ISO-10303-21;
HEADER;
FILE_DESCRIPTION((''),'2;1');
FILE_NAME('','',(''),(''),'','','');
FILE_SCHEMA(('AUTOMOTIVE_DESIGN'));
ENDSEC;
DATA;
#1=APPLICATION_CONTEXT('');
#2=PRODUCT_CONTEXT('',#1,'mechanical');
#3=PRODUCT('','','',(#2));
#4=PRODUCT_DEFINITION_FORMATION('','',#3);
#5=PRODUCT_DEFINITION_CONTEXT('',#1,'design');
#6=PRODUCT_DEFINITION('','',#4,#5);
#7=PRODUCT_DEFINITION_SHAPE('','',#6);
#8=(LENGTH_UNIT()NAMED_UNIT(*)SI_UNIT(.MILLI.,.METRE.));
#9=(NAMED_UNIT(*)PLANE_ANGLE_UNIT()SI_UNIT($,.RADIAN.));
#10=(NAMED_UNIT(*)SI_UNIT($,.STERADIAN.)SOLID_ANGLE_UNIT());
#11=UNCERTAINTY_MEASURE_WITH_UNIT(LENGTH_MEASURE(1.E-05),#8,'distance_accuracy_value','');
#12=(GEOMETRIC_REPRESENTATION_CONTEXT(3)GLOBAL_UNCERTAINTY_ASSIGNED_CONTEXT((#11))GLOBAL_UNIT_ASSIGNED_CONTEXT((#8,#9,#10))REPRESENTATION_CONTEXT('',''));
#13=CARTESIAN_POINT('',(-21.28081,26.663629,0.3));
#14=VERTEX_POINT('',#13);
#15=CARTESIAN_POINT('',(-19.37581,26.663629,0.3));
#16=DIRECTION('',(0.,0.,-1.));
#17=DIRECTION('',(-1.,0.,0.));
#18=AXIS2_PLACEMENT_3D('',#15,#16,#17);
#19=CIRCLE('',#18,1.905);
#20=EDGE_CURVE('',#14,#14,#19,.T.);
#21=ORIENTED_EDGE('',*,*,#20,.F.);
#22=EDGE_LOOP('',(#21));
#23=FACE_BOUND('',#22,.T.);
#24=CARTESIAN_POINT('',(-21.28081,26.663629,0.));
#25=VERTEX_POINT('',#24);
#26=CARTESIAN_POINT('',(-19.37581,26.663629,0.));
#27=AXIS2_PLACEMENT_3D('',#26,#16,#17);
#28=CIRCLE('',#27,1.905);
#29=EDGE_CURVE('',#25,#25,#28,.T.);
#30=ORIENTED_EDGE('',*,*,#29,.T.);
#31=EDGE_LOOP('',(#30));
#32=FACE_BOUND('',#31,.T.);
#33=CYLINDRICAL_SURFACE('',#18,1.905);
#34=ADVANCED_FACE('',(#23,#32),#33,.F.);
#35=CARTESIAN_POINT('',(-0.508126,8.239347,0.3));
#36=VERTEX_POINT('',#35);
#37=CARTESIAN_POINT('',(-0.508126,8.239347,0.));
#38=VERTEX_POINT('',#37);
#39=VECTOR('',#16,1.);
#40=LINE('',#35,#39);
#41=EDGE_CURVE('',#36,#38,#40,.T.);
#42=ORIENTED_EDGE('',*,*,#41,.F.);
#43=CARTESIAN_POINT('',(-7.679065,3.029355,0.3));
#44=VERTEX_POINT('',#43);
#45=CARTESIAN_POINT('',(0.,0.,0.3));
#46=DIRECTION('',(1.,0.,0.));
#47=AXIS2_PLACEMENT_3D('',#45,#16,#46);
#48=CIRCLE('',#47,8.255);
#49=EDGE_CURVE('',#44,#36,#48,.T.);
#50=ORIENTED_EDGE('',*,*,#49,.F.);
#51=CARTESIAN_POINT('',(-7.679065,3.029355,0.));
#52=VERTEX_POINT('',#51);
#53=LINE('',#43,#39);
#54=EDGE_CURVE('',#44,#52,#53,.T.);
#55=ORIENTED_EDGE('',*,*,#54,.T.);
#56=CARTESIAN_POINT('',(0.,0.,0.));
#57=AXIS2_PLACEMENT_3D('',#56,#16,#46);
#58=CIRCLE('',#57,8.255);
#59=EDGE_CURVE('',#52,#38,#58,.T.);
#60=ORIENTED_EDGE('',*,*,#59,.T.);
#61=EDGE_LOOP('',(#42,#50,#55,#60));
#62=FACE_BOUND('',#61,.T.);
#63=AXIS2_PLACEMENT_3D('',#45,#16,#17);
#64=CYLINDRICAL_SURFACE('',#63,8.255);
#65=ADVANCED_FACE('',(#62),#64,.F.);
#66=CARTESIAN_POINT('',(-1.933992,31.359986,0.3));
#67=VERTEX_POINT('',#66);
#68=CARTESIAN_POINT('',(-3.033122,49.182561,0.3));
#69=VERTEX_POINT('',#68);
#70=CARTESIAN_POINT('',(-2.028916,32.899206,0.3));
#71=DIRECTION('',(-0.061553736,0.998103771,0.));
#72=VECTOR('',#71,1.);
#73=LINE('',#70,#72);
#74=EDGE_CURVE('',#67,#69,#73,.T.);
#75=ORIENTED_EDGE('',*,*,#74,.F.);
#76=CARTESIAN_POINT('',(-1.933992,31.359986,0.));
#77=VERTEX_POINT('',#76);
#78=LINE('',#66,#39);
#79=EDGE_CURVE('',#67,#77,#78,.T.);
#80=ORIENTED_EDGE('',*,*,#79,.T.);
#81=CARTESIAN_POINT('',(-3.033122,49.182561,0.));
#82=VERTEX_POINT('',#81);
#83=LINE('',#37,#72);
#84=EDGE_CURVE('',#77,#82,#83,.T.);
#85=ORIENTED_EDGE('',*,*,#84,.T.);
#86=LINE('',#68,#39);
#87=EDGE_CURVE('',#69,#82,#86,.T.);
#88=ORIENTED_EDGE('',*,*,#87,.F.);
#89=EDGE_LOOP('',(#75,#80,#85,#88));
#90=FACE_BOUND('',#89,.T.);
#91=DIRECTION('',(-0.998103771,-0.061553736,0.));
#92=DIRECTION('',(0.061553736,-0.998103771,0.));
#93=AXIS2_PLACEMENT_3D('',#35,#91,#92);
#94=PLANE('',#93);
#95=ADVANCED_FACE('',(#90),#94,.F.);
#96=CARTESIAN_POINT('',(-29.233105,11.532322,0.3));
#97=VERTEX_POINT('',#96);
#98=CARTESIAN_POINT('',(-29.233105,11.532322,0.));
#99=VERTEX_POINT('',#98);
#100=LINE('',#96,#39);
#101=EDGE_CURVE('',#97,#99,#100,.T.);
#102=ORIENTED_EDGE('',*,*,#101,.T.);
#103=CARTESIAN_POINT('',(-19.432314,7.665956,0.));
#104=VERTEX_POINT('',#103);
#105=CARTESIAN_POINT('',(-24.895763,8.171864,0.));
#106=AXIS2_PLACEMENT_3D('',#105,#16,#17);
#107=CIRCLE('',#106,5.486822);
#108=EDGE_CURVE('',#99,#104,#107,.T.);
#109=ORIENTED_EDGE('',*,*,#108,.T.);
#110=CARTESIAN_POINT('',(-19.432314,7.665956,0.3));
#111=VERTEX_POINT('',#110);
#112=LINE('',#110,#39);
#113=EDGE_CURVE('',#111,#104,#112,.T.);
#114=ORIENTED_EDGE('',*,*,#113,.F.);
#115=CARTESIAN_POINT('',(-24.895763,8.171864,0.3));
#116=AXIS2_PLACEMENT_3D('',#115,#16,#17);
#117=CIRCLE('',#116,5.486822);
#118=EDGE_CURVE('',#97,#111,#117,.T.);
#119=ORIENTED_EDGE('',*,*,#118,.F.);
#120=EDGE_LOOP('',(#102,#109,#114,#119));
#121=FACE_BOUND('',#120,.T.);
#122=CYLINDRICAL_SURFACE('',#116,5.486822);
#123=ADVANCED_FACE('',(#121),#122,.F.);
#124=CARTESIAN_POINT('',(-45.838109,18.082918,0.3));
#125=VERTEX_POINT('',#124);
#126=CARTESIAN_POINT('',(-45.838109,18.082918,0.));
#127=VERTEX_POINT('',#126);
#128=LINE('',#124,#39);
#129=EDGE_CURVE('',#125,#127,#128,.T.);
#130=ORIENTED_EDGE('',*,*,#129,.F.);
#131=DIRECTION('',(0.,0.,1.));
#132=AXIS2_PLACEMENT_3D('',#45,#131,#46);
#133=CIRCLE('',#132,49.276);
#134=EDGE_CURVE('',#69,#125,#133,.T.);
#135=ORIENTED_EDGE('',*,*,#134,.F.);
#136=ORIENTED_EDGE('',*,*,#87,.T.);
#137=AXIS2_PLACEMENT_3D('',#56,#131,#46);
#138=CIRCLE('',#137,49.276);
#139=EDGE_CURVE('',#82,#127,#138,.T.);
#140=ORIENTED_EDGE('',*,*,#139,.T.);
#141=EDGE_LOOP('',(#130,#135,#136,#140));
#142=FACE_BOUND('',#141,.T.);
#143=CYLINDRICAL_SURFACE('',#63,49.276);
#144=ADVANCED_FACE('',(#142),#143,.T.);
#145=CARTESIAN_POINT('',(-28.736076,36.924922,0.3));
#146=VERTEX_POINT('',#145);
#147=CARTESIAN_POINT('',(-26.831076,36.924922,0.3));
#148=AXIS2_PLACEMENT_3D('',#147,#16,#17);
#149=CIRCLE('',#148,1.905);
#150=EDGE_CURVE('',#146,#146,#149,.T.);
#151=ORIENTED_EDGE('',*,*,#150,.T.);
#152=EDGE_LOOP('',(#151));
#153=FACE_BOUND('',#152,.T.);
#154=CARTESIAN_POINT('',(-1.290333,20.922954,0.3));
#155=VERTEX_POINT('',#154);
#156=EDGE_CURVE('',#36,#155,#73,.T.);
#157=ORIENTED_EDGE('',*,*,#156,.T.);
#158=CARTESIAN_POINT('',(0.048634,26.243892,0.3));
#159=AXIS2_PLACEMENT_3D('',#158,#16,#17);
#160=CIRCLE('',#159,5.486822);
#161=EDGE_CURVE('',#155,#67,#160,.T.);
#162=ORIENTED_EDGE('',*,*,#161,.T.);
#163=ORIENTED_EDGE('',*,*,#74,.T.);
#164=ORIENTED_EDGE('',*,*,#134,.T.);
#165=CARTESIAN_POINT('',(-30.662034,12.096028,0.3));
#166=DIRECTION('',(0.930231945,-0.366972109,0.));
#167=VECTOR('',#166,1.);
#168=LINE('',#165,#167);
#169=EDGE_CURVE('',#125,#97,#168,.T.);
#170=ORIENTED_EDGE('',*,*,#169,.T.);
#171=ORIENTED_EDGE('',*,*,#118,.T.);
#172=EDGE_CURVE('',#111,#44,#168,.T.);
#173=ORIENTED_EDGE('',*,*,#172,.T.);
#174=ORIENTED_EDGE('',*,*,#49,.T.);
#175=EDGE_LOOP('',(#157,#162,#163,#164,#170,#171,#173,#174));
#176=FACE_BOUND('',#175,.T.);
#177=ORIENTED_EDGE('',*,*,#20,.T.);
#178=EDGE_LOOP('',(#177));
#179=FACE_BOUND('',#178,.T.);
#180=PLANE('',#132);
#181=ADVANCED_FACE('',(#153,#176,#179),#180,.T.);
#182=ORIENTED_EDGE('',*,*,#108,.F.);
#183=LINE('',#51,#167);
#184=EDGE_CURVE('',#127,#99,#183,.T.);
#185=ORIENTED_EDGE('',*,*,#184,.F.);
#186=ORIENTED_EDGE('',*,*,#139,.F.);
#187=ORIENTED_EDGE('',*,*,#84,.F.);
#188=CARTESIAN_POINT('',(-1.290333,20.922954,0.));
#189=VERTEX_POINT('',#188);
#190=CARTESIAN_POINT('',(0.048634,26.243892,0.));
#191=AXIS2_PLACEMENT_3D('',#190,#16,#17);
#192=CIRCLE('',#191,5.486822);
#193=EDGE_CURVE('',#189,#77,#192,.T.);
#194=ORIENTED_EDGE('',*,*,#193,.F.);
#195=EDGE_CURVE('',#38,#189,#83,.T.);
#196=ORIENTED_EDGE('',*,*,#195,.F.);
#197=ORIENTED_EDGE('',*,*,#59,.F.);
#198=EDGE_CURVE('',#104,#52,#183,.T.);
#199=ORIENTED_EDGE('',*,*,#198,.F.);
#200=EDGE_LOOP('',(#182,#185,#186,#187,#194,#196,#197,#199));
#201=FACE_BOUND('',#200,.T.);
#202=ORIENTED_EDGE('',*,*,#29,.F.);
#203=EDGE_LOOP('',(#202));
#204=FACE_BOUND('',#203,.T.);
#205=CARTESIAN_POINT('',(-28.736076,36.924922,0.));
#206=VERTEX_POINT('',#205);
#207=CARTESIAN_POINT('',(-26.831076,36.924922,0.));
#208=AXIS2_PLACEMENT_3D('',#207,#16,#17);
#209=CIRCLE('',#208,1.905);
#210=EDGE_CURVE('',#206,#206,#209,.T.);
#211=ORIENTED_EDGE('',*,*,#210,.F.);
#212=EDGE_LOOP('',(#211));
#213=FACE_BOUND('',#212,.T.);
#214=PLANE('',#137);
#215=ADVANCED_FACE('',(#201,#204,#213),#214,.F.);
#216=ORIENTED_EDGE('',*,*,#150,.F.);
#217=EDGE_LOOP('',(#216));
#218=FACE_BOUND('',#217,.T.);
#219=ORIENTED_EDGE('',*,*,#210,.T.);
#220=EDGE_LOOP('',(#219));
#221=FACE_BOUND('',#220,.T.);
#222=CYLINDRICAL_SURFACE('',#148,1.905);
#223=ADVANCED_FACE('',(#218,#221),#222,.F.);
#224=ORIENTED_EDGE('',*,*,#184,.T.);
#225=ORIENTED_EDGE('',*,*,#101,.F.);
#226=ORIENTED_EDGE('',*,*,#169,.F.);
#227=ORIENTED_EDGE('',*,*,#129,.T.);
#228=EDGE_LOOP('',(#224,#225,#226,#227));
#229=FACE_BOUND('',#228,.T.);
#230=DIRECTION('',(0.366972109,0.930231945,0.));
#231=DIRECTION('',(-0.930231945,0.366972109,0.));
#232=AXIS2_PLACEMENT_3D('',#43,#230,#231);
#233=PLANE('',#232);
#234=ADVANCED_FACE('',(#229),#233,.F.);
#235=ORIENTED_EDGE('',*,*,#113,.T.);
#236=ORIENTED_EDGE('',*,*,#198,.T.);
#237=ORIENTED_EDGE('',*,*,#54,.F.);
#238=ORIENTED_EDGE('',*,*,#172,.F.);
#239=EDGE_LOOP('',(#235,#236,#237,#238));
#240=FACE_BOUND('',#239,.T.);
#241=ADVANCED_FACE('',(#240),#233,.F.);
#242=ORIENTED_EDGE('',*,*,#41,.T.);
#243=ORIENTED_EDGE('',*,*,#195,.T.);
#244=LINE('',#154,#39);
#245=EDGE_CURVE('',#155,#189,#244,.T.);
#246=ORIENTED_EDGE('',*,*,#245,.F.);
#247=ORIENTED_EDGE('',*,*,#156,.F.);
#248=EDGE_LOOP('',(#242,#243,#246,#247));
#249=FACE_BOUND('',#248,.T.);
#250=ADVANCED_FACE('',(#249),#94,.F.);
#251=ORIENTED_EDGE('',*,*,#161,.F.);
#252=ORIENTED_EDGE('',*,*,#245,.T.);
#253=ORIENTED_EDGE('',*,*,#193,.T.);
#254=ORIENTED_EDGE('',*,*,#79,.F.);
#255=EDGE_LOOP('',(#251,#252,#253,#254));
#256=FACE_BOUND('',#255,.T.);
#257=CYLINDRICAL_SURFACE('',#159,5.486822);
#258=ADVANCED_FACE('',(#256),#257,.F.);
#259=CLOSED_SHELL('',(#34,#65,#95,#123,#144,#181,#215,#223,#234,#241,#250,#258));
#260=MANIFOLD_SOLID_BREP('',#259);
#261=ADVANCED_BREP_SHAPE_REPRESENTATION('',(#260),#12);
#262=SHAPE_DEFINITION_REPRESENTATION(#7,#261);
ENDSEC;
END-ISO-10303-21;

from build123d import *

# Parameters (mm, degrees)
BOSS_EXTRUDE1_DEPTH = 0.3
SKETCH7_R           = 1.905
CUT_EXTRUDE3_DEPTH  = 68.232035618
CUT_EXTRUDE4_DEPTH  = 68.232035618


with BuildPart() as part:
    # Sketch5 → Boss-Extrude1 (new body)
    with BuildSketch(Plane.XY):
        with BuildLine():
            Line((-2.028916314, 32.899205852), (-3.033121883, 49.182561418))
            ThreePointArc((-3.033121883, 49.182561418), (-28.963706092, 39.865121415), (-45.838109317, 18.082917637))
            Line((-45.838109317, 18.082917637), (-30.662034486, 12.096027791))
            Line((-30.662034486, 12.096027791), (-18.848088785, 7.435482008))
            Line((-18.848088785, 7.435482008), (-7.679064705, 3.029354759))
            ThreePointArc((-7.679064705, 3.029354759), (-4.852167258, 6.678435289), (-0.508126089, 8.239346629))
            Line((-0.508126089, 8.239346629), (-1.24718387, 20.223287961))
            Line((-1.24718387, 20.223287961), (-2.028916314, 32.899205852))
        make_face()
    extrude(amount=BOSS_EXTRUDE1_DEPTH)

    # Sketch7 → Cut-Extrude3 (cut, through all)
    with BuildSketch(Plane(origin=(0, 0, 0), x_dir=(-1, 0, 0), z_dir=(0, 0, -1))):
        with Locations((26.831076285, 36.924921792)):
            Circle(SKETCH7_R)
        with Locations((19.375810402, 26.663628618)):
            Circle(SKETCH7_R)
    extrude(amount=-CUT_EXTRUDE3_DEPTH, mode=Mode.SUBTRACT)

    # Sketch8 → Cut-Extrude4 (cut, through all)
    with BuildSketch(Plane(origin=(0, 0, 0), x_dir=(-1, 0, 0), z_dir=(0, 0, -1))):
        with BuildLine():
            Line((1.290332778, 20.922954474), (1.933991563, 31.359985686))
            ThreePointArc((1.933991563, 31.359985686), (5.427783746, 25.906158112), (1.290332778, 20.922954474))
        make_face()
        with BuildLine():
            Line((29.233104835, 11.532321793), (19.432314115, 7.665956142))
            ThreePointArc((19.432314115, 7.665956142), (22.882252084, 13.27588106), (29.233104835, 11.532321793))
        make_face()
    extrude(amount=-CUT_EXTRUDE4_DEPTH, mode=Mode.SUBTRACT)


solid = part.part
